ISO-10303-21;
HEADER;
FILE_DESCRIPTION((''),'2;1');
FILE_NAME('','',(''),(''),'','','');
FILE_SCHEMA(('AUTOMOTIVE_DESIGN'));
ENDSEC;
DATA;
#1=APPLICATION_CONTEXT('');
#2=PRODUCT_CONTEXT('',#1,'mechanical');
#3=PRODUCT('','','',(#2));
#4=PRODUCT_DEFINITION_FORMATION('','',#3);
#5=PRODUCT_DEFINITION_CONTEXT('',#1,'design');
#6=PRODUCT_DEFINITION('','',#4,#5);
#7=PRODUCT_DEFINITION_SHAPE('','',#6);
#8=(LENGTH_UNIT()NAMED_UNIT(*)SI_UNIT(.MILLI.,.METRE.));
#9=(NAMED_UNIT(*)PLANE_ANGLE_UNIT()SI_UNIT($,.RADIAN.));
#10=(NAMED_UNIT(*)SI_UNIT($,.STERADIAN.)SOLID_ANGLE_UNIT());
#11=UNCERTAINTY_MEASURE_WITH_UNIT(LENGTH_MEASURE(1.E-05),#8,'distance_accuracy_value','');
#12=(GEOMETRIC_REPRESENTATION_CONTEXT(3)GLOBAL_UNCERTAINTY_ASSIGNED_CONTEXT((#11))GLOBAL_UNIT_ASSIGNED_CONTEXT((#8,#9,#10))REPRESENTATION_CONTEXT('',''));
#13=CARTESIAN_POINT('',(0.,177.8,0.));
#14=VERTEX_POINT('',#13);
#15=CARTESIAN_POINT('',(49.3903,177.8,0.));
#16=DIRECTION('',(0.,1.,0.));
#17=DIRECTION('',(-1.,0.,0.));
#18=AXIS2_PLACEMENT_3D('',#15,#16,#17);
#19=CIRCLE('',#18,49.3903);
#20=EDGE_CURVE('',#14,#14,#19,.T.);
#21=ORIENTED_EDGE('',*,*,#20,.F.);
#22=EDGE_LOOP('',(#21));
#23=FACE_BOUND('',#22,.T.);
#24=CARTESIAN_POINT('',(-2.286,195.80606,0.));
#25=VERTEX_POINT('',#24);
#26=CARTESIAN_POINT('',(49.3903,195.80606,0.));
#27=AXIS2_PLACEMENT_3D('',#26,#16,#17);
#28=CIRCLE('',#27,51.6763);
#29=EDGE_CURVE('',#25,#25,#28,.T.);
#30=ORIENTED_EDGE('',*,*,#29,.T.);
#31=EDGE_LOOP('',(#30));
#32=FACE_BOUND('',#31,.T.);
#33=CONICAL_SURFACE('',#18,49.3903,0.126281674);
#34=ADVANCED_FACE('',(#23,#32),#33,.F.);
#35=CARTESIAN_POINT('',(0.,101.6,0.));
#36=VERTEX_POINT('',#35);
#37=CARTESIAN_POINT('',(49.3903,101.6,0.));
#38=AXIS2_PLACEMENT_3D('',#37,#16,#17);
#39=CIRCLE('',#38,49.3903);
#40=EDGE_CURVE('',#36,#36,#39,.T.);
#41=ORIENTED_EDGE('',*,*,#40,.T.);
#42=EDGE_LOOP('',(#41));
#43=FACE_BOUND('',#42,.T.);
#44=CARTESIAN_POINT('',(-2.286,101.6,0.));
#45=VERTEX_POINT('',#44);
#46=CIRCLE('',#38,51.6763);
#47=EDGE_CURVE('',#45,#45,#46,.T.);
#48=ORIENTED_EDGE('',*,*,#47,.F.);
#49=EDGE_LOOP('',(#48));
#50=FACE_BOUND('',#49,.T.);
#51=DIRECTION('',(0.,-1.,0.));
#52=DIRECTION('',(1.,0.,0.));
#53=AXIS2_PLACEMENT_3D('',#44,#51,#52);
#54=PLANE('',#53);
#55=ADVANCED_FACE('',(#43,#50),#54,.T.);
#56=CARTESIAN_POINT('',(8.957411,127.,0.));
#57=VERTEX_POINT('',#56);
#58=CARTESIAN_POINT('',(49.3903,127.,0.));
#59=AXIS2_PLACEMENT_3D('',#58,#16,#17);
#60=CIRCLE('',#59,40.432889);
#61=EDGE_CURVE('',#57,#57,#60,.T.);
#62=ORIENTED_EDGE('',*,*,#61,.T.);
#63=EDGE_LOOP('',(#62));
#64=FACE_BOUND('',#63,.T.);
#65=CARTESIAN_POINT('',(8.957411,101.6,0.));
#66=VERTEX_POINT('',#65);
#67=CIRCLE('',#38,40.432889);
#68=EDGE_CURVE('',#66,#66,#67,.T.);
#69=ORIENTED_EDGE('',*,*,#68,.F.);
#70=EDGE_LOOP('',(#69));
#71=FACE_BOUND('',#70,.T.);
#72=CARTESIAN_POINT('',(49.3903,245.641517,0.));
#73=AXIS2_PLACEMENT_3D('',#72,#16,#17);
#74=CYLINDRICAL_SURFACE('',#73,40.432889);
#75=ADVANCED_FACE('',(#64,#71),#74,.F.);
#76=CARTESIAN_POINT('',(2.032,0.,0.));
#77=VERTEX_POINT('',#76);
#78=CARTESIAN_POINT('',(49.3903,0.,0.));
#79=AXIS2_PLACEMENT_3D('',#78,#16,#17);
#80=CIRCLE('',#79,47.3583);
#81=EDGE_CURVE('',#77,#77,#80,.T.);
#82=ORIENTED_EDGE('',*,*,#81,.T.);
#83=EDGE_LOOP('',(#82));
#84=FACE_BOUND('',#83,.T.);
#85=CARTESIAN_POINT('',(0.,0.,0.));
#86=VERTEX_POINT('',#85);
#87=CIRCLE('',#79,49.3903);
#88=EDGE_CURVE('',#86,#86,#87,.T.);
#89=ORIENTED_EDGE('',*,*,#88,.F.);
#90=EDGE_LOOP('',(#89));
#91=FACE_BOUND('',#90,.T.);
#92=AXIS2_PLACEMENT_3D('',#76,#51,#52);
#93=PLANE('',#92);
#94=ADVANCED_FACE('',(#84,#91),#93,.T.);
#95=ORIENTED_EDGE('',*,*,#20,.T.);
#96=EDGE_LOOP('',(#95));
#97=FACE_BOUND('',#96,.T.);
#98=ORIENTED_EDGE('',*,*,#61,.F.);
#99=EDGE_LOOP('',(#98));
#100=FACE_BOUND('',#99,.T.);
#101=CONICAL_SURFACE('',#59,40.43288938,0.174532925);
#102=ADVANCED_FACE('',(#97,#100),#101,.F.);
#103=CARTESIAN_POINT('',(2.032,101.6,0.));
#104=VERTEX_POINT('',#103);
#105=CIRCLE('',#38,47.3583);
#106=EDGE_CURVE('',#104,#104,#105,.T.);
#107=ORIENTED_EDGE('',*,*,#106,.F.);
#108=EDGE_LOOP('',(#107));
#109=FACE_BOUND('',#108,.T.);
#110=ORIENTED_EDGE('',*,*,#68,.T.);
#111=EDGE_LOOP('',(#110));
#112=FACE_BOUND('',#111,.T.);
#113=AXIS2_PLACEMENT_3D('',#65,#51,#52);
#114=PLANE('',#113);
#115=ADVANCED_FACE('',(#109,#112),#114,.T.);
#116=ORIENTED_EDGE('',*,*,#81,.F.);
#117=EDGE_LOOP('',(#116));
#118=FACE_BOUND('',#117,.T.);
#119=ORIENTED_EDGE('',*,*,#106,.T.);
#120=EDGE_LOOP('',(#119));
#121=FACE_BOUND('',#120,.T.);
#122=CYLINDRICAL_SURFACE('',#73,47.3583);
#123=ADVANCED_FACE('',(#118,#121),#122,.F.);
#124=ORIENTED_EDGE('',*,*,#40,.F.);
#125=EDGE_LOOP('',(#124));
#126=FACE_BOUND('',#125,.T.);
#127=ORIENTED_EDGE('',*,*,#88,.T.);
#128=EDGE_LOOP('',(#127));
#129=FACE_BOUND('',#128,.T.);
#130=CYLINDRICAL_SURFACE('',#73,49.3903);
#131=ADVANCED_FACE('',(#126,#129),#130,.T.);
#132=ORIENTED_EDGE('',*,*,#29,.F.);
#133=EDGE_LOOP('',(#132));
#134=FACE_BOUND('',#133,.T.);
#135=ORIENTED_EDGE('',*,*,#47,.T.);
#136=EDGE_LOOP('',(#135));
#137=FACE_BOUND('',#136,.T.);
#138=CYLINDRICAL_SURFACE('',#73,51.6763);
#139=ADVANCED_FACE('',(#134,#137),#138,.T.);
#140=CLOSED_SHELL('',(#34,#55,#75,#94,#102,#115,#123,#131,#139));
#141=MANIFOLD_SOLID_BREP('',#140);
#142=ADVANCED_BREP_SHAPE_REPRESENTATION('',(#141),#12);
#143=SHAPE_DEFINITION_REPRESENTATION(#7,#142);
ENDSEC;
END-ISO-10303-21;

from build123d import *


with BuildPart() as part:
    # Sketch1 → Revolve1 (revolve)
    with BuildSketch(Plane.XY):
        Polygon((2.032, 0), (0, 0), (0, 101.6), (-2.286, 101.6), (-2.286, 195.80606), (0, 177.8), (8.95741062, 127), (8.95741062, 101.6), (2.032, 101.6), align=None)
    revolve(axis=Axis((49.3903, 245.641517485, 0), (0, -1, 0)))


solid = part.part
